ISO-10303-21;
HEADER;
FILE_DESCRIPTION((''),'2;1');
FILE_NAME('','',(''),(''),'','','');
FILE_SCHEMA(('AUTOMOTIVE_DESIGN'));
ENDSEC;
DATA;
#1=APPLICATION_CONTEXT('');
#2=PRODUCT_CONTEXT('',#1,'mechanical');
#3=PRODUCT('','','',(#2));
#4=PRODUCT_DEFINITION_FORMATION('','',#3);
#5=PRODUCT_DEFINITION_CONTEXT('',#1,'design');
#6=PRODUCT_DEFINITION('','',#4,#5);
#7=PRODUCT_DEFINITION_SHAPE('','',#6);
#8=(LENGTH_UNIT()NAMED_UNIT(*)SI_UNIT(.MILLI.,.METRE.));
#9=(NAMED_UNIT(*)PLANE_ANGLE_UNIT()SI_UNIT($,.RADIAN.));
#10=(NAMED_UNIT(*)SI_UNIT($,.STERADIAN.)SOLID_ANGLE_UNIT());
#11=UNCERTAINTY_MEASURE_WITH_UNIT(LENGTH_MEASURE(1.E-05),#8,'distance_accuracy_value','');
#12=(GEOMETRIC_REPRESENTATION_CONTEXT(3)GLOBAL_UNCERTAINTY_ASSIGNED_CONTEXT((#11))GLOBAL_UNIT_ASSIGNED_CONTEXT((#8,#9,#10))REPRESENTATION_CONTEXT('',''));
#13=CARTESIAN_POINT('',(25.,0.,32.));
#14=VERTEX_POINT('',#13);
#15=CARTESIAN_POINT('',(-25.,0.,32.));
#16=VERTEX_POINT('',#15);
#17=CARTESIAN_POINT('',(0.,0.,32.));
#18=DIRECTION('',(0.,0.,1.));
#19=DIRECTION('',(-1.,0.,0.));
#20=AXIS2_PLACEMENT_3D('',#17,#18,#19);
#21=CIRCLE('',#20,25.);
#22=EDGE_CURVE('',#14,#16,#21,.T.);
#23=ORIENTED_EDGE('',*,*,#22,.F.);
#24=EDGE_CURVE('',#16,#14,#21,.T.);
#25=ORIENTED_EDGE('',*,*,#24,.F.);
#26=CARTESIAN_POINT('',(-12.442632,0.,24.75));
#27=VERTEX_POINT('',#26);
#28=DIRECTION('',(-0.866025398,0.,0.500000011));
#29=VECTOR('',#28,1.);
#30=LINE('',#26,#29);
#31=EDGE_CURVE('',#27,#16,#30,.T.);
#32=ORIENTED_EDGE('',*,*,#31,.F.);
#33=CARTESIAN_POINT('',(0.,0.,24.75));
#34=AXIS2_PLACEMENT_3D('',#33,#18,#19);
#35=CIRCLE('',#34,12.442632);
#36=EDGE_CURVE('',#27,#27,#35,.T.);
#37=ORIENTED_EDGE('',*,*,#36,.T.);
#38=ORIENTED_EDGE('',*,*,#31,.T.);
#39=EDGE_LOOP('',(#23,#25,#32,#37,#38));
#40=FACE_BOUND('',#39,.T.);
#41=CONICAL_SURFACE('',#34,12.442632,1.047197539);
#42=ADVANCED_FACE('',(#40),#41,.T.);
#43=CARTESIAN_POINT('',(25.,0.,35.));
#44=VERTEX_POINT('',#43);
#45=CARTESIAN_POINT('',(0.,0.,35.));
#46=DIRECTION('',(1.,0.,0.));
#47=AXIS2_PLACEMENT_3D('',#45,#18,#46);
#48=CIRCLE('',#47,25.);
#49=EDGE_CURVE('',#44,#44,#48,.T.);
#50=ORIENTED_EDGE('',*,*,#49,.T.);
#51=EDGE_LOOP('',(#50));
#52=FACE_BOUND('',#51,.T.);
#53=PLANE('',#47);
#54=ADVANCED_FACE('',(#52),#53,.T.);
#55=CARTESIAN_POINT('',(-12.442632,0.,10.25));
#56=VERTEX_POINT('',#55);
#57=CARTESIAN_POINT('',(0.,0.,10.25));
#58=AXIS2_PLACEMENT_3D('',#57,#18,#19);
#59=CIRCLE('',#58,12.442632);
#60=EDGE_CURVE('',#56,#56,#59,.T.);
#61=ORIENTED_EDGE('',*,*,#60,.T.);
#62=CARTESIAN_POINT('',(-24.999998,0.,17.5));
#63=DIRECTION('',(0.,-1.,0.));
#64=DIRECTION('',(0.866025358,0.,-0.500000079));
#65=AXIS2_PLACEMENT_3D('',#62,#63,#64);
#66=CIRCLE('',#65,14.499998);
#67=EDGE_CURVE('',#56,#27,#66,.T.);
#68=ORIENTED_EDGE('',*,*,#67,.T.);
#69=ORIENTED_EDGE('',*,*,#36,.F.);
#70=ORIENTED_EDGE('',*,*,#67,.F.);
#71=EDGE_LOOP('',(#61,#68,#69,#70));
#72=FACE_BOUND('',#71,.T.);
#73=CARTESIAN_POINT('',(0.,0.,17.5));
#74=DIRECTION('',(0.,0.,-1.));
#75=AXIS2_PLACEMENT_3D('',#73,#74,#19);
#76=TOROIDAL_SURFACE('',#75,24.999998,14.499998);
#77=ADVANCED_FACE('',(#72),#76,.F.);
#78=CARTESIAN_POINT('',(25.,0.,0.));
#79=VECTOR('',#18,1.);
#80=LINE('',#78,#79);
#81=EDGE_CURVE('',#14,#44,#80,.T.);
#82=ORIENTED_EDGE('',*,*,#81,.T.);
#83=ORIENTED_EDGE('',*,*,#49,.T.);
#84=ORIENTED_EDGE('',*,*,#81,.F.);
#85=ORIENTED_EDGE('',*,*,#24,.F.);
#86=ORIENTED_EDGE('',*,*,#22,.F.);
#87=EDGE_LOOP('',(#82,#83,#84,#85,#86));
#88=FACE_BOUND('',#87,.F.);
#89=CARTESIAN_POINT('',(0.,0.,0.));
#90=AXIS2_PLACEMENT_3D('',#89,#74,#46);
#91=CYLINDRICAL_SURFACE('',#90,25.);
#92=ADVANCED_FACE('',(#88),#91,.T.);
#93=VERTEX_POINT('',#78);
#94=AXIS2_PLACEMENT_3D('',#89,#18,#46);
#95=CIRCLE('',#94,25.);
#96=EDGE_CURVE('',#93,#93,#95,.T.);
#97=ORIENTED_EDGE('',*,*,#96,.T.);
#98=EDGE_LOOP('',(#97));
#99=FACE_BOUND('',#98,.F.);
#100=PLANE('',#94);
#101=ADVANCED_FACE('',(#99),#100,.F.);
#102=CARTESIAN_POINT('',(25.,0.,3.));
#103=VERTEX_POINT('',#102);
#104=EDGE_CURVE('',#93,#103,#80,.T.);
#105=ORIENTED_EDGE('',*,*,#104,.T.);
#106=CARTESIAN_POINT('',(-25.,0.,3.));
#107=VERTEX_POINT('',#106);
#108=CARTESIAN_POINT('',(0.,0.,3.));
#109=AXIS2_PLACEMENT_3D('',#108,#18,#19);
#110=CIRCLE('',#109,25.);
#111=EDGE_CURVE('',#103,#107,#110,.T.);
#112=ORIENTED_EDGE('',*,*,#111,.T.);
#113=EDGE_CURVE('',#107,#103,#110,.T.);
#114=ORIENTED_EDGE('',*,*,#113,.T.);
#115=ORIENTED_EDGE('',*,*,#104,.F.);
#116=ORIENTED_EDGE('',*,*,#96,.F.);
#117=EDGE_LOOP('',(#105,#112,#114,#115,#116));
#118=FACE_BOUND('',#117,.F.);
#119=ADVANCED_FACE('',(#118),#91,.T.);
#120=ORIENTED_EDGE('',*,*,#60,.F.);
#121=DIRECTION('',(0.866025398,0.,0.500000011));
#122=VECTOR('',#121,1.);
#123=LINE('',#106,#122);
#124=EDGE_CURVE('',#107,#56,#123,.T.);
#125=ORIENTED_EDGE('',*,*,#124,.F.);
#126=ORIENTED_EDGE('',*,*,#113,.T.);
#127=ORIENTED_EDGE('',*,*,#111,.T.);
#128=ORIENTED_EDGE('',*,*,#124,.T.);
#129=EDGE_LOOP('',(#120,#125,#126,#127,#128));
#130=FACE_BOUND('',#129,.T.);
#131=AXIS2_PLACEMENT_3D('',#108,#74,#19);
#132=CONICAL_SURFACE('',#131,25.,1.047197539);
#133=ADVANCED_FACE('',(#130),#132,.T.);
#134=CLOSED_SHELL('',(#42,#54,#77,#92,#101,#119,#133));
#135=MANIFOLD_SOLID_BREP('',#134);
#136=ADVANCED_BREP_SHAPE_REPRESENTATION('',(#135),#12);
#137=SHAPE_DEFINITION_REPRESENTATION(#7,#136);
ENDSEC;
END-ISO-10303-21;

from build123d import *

# Parameters (mm, degrees)
F0_R     = 25
F1_DEPTH = 35


with BuildPart() as f1:
    # F0 (on Top) → F1 (new body)
    with BuildSketch(Plane.XY):
        Circle(F0_R)
    extrude(amount=F1_DEPTH)

    # F2 (on Front) → F3 (revolve, cut)
    with BuildSketch(Plane.XZ):
        with BuildLine():
            Line((-12.442632, 24.75), (-25, 32))
            Line((-25, 32), (-25, 3))
            Line((-25, 3), (-12.442632, 10.25))
            ThreePointArc((-12.442632, 10.25), (-10.5, 17.5), (-12.442632, 24.75))
        make_face()
    revolve(axis=Axis((0, 0, 17.5), (0, 0, 1)), mode=Mode.SUBTRACT)


solid = f1.part
